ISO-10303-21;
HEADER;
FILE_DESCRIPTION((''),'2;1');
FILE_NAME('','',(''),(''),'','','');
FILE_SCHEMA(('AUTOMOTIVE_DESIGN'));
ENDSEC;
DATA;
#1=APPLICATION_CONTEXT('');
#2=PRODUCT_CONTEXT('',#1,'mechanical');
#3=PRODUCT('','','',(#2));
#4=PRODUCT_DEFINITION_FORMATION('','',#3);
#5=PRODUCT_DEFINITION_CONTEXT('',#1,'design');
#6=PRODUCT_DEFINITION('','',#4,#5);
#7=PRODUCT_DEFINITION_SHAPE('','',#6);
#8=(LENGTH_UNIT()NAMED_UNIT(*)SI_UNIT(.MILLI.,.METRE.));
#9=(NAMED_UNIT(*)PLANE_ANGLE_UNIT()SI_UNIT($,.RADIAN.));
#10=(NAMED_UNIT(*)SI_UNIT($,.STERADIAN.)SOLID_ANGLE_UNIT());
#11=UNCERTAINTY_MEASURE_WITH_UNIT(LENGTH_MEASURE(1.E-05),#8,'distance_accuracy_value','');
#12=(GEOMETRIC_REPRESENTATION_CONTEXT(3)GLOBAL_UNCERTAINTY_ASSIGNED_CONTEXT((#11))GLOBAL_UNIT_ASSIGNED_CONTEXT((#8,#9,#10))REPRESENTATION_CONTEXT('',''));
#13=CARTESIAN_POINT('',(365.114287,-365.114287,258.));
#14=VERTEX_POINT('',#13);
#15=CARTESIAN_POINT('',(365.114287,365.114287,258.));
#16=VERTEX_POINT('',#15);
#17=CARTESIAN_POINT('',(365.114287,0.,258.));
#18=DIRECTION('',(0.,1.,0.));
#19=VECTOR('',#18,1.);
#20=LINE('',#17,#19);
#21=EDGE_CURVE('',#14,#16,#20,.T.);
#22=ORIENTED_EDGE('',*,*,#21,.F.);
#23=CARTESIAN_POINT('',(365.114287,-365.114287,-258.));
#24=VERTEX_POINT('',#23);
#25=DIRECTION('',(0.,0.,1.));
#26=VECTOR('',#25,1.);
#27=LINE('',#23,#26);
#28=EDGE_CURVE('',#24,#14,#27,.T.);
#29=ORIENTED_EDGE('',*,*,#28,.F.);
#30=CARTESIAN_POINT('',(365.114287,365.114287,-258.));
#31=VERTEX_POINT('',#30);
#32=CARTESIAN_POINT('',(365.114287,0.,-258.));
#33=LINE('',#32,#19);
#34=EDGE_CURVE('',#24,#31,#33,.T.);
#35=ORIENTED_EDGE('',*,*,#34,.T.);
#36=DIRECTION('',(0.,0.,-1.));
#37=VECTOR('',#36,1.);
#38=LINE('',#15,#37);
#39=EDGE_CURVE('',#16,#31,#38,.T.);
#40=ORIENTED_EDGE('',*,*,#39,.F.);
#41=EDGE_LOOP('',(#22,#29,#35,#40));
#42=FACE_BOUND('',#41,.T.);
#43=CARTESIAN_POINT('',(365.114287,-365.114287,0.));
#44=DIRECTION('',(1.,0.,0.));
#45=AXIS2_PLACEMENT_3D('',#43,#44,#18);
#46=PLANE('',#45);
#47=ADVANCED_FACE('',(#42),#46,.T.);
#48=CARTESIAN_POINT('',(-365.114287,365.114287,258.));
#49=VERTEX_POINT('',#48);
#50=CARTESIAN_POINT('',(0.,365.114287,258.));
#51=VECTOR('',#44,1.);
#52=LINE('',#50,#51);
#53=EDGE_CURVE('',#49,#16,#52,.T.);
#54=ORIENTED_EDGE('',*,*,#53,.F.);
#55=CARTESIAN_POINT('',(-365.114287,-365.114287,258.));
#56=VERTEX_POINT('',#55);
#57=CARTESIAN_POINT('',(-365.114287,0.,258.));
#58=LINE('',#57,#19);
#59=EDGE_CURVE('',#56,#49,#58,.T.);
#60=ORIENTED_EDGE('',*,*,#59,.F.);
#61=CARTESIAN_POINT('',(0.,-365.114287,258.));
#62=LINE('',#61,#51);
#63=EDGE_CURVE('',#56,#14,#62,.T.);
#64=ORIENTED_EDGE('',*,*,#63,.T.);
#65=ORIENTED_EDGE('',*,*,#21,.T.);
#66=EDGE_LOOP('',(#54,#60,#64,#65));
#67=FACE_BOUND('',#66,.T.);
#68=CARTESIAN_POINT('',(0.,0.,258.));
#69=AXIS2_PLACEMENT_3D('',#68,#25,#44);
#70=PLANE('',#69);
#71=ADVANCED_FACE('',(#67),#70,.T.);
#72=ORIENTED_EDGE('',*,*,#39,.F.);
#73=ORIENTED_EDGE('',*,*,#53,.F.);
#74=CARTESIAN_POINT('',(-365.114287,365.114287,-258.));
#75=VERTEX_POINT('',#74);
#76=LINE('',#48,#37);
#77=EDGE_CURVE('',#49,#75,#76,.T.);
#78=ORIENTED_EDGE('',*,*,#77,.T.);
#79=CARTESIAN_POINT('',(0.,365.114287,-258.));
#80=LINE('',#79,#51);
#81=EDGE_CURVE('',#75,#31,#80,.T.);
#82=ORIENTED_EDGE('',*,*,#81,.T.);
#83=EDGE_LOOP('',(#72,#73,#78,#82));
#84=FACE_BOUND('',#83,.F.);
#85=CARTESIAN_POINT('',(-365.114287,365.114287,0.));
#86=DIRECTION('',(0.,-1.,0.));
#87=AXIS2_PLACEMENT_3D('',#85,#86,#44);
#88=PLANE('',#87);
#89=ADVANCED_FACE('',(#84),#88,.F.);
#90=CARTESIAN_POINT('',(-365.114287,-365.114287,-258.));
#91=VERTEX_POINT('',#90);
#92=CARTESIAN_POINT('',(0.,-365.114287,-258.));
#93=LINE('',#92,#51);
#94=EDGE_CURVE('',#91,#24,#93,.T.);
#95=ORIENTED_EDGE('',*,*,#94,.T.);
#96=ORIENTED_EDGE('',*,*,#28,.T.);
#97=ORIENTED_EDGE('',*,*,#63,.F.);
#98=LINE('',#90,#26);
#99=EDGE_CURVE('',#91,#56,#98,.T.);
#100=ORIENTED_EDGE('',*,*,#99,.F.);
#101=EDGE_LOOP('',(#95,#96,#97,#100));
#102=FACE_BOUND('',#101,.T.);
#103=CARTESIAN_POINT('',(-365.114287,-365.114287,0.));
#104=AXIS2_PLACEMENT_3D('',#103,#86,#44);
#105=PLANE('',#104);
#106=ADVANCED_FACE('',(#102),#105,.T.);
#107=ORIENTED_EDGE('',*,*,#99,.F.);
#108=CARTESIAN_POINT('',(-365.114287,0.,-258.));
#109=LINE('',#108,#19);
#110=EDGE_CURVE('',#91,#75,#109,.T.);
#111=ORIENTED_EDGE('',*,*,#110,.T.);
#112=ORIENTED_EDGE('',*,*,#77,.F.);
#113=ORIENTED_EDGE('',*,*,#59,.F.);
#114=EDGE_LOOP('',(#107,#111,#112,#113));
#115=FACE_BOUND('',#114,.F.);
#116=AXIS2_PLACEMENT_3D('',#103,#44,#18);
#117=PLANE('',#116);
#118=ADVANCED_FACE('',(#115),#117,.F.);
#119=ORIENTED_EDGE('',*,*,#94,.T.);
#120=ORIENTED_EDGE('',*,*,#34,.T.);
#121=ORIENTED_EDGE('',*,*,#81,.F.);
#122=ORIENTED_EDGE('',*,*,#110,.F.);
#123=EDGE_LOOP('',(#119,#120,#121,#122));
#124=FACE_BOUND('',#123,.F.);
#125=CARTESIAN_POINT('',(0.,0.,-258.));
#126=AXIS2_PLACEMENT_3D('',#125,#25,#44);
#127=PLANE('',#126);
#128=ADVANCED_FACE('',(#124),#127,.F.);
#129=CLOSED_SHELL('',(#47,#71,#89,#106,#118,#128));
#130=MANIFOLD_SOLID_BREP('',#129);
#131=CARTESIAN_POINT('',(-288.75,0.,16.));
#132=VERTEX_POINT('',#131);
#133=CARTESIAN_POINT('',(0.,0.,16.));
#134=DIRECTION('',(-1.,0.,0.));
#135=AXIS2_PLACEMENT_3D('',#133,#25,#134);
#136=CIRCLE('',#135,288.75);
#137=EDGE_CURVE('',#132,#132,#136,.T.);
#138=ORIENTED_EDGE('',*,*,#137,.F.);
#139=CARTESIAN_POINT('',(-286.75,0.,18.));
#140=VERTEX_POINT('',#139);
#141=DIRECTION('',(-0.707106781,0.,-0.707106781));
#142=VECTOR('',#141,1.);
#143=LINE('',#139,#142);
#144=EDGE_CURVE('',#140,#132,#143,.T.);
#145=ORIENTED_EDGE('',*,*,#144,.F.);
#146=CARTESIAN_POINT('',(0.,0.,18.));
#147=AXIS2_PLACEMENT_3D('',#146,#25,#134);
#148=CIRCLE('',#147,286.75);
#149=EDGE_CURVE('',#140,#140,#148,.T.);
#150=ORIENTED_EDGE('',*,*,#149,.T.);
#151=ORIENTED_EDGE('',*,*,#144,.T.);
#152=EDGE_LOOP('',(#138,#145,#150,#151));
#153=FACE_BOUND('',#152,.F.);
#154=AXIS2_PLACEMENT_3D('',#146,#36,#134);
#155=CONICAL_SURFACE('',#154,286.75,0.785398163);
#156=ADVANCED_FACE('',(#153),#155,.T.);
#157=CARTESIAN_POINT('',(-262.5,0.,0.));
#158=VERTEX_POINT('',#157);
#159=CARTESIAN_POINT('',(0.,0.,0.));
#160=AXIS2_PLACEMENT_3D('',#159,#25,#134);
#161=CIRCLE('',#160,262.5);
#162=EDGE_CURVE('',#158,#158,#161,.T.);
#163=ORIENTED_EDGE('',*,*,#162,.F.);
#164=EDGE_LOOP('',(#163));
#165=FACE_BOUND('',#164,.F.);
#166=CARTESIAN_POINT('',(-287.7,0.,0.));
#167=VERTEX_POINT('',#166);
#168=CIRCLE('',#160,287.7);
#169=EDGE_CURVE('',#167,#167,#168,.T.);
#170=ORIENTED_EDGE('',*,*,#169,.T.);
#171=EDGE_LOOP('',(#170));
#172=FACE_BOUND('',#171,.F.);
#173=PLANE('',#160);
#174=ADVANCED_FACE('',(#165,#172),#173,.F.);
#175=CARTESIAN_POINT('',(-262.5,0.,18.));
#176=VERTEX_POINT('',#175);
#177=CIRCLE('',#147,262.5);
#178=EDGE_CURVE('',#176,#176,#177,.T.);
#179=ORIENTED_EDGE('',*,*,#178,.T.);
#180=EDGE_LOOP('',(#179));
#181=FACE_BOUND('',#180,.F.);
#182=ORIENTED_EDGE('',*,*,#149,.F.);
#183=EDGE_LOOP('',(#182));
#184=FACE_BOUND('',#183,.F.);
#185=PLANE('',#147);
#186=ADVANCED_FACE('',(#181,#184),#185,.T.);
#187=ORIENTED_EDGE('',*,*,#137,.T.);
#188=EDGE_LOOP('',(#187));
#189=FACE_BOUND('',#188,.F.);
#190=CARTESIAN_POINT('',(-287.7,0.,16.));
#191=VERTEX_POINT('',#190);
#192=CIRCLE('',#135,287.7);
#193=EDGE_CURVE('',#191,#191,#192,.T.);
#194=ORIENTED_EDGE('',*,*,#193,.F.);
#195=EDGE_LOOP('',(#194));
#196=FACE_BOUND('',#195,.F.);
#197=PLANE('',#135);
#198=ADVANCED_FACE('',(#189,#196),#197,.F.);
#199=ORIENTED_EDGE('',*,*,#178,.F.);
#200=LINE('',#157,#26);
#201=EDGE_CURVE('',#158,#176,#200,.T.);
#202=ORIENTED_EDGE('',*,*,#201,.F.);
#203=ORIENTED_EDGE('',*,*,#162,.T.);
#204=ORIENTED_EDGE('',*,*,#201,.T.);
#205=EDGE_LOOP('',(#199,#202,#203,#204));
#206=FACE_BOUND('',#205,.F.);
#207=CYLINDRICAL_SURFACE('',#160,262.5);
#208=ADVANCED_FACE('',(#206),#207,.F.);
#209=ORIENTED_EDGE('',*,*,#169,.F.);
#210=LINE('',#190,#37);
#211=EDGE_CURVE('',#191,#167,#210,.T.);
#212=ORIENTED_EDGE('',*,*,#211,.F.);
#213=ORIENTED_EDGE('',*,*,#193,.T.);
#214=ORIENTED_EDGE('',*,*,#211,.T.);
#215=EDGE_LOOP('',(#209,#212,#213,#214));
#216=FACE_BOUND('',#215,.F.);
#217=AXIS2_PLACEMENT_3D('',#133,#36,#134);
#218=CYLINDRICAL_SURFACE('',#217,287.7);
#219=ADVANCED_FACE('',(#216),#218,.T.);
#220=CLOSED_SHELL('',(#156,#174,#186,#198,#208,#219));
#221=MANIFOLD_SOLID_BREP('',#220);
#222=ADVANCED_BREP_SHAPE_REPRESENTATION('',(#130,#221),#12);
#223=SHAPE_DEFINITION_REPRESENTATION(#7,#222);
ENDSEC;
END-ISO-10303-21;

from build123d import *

# Parameters (mm, degrees)
F2_W     = 730.228574
F2_H     = 730.228574
F3_DEPTH = 258


with BuildPart() as f1:
    # F0 (on Front) → F1 (revolve)
    with BuildSketch(Plane.XZ):
        Polygon((-287.7, 0), (-262.5, 0), (-262.5, 18), (-286.75, 18), (-288.75, 16), (-287.7, 16), align=None)
    revolve(axis=Axis((0, 0, 9), (0, 0, 1)))


with BuildPart() as f3:
    # F2 (on Top) → F3 (new body, symmetric)
    with BuildSketch(Plane.XY):
        Rectangle(F2_W, F2_H)
    extrude(amount=F3_DEPTH, both=True)


solid = Compound([f1.part, f3.part])
